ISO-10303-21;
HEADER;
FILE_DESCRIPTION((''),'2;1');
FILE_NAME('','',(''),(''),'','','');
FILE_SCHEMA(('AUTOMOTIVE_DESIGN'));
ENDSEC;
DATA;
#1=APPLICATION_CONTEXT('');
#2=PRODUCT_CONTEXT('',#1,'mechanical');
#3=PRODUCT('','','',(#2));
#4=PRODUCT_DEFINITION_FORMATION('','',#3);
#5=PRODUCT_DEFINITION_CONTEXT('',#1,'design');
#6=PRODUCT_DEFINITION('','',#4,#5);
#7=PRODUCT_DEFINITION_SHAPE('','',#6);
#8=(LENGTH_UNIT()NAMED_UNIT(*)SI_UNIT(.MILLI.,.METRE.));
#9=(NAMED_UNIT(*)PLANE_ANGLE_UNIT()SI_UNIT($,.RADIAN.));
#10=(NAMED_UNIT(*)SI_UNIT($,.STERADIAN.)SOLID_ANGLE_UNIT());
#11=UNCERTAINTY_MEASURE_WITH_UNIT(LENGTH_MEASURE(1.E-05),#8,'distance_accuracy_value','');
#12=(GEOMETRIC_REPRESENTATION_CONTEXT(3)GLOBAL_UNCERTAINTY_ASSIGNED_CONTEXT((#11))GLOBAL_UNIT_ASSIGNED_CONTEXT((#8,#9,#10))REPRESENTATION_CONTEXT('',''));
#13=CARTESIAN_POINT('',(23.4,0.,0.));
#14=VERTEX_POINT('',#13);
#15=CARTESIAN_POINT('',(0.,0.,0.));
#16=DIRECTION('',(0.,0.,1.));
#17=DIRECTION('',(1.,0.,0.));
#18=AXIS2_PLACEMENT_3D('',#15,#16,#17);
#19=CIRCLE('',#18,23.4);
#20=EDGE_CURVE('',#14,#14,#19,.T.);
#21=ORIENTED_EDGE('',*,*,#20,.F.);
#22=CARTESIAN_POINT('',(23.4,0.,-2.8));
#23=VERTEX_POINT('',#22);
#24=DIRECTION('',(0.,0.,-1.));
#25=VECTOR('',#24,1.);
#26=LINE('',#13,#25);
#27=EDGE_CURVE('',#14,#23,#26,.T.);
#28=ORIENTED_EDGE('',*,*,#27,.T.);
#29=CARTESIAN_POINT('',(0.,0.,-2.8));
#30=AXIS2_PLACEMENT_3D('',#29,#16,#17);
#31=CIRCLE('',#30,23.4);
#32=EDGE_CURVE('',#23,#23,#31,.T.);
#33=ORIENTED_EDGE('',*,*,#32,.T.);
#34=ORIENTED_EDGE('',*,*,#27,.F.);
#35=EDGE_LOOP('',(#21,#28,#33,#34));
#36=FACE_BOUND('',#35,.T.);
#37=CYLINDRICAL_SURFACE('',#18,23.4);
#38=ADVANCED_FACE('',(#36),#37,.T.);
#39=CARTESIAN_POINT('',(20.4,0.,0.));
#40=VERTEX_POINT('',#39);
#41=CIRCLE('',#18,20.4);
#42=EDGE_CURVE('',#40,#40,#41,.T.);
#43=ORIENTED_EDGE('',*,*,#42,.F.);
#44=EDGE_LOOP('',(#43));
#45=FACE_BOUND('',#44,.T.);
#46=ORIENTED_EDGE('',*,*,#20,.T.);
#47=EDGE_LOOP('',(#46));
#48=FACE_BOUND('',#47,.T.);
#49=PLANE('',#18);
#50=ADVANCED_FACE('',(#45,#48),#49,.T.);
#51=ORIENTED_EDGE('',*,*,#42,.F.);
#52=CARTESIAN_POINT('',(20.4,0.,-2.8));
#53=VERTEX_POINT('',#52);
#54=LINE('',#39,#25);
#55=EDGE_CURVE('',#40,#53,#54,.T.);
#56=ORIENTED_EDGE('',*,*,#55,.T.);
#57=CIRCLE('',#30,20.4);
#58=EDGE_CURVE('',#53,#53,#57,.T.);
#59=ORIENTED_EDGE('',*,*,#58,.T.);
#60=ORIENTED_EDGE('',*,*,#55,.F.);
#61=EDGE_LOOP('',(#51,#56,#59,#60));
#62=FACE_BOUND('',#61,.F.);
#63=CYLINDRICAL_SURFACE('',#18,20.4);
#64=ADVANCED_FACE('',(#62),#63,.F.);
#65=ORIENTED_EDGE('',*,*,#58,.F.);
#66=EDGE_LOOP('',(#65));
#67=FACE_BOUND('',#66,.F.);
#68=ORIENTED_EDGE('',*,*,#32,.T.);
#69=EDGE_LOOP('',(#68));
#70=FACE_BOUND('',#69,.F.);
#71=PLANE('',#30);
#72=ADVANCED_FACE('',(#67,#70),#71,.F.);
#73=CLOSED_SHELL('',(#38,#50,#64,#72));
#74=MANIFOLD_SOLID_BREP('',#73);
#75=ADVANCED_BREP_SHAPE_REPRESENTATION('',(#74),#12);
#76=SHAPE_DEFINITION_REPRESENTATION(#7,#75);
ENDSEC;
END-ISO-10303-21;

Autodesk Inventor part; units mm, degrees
ref_plane "YZ Plane" through (0, 0, 0) normal (1, 0, 0) x (0, 1, 0)
ref_plane "XZ Plane" through (0, 0, 0) normal (0, 1, 0) x (-1, 0, 0)
ref_plane "XY Plane" through (0, 0, 0) normal (0, 0, 1) x (1, 0, 0)
ref_plane "Work Plane1" through (0, 0, 0) normal (0, 0, 1) x (1, 0, 0)
sketch "Sketch1" plane through (0, 0, 0) normal (0, 0, 1) x (1, 0, 0)
  circle A0 centre (0, 0) radius 23.4
  circle A1 centre (0, 0) radius 20.4
  dimension "d0" = 46.8
  dimension "d1" = 40.8
extrude "Extrusion1" add sketch "Sketch1" against normal blind 2.8
properties part number "Swash_distance"
